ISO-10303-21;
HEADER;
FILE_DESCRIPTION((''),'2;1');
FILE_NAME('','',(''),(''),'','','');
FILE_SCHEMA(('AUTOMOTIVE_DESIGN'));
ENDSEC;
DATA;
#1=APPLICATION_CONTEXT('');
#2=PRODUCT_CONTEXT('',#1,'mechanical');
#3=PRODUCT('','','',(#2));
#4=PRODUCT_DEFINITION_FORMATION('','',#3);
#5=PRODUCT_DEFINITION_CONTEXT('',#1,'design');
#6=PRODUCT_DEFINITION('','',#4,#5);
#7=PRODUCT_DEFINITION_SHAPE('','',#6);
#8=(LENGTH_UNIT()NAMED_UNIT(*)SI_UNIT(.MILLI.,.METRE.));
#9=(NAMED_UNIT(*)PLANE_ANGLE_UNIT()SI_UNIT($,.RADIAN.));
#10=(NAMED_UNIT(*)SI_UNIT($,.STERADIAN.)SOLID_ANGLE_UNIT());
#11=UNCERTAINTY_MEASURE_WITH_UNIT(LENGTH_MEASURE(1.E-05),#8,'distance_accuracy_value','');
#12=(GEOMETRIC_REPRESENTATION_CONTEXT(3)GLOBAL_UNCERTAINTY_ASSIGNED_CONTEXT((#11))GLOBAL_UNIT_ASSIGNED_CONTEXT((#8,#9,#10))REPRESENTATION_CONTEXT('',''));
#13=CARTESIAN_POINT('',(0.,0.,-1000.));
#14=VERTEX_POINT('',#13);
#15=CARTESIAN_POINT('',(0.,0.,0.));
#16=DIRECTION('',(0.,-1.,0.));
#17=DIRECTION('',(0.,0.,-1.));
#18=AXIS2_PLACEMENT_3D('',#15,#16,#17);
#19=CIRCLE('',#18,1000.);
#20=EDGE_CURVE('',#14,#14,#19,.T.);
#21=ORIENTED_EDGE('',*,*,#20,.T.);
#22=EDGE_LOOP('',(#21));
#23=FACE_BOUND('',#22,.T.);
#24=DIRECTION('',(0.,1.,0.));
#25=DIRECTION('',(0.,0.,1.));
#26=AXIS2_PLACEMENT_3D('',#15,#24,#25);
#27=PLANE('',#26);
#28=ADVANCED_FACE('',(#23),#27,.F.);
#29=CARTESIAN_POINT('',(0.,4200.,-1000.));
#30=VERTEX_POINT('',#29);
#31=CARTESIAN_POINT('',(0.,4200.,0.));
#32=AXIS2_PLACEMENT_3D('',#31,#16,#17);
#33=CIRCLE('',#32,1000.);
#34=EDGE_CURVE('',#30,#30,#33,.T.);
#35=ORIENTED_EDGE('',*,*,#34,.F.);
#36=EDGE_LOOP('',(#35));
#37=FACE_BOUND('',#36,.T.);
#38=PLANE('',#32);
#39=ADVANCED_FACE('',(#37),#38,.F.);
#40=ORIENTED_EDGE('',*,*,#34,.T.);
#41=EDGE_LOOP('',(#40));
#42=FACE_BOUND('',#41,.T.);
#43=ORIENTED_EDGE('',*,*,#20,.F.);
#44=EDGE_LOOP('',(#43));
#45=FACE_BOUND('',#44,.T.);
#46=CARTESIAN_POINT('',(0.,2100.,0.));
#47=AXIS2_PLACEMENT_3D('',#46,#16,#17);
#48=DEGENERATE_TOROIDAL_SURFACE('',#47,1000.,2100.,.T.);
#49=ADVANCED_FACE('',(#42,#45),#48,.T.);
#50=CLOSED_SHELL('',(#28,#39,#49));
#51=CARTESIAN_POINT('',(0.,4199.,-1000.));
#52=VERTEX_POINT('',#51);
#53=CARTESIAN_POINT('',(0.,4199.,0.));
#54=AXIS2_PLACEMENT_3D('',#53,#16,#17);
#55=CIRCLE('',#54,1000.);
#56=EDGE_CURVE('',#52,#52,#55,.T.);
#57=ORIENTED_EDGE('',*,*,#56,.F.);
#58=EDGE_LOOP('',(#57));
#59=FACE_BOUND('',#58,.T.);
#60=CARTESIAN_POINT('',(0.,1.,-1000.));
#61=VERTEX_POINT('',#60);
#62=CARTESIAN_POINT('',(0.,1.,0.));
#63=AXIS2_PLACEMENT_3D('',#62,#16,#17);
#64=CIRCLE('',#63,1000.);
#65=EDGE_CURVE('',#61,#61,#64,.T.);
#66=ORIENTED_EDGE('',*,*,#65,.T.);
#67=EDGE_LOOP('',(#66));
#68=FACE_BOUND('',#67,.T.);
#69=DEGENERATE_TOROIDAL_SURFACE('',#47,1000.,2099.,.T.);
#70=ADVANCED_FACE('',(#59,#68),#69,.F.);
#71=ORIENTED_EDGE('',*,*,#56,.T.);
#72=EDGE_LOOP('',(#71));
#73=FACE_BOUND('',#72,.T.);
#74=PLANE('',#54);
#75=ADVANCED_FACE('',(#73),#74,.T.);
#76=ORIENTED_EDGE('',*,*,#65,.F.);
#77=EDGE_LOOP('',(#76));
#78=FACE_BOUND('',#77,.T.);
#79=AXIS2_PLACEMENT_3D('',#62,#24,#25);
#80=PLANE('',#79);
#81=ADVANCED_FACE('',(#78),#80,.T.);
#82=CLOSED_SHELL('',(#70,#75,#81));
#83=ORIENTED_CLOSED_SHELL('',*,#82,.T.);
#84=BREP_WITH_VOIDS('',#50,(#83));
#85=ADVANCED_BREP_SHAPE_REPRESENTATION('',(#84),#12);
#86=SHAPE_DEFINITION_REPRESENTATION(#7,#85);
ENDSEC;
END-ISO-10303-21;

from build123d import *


with BuildPart() as part:
    # Szkic2 → Obrót-cienka ścianka1 (revolve)
    with BuildSketch(Plane.XY):
        with BuildLine():
            Line((0, 4200), (1000, 4200))
            ThreePointArc((1000, 4200), (3100, 2100), (1000, 0))
            Line((1000, 0), (0, 0))
            Line((0, 0), (0, 1))
            Line((0, 1), (1000, 1))
            ThreePointArc((1000, 1), (3099, 2100), (1000, 4199))
            Line((1000, 4199), (0, 4199))
            Line((0, 4199), (0, 4200))
        make_face()
    revolve(axis=Axis((0, 0, 0), (0, 1, 0)))


solid = part.part
